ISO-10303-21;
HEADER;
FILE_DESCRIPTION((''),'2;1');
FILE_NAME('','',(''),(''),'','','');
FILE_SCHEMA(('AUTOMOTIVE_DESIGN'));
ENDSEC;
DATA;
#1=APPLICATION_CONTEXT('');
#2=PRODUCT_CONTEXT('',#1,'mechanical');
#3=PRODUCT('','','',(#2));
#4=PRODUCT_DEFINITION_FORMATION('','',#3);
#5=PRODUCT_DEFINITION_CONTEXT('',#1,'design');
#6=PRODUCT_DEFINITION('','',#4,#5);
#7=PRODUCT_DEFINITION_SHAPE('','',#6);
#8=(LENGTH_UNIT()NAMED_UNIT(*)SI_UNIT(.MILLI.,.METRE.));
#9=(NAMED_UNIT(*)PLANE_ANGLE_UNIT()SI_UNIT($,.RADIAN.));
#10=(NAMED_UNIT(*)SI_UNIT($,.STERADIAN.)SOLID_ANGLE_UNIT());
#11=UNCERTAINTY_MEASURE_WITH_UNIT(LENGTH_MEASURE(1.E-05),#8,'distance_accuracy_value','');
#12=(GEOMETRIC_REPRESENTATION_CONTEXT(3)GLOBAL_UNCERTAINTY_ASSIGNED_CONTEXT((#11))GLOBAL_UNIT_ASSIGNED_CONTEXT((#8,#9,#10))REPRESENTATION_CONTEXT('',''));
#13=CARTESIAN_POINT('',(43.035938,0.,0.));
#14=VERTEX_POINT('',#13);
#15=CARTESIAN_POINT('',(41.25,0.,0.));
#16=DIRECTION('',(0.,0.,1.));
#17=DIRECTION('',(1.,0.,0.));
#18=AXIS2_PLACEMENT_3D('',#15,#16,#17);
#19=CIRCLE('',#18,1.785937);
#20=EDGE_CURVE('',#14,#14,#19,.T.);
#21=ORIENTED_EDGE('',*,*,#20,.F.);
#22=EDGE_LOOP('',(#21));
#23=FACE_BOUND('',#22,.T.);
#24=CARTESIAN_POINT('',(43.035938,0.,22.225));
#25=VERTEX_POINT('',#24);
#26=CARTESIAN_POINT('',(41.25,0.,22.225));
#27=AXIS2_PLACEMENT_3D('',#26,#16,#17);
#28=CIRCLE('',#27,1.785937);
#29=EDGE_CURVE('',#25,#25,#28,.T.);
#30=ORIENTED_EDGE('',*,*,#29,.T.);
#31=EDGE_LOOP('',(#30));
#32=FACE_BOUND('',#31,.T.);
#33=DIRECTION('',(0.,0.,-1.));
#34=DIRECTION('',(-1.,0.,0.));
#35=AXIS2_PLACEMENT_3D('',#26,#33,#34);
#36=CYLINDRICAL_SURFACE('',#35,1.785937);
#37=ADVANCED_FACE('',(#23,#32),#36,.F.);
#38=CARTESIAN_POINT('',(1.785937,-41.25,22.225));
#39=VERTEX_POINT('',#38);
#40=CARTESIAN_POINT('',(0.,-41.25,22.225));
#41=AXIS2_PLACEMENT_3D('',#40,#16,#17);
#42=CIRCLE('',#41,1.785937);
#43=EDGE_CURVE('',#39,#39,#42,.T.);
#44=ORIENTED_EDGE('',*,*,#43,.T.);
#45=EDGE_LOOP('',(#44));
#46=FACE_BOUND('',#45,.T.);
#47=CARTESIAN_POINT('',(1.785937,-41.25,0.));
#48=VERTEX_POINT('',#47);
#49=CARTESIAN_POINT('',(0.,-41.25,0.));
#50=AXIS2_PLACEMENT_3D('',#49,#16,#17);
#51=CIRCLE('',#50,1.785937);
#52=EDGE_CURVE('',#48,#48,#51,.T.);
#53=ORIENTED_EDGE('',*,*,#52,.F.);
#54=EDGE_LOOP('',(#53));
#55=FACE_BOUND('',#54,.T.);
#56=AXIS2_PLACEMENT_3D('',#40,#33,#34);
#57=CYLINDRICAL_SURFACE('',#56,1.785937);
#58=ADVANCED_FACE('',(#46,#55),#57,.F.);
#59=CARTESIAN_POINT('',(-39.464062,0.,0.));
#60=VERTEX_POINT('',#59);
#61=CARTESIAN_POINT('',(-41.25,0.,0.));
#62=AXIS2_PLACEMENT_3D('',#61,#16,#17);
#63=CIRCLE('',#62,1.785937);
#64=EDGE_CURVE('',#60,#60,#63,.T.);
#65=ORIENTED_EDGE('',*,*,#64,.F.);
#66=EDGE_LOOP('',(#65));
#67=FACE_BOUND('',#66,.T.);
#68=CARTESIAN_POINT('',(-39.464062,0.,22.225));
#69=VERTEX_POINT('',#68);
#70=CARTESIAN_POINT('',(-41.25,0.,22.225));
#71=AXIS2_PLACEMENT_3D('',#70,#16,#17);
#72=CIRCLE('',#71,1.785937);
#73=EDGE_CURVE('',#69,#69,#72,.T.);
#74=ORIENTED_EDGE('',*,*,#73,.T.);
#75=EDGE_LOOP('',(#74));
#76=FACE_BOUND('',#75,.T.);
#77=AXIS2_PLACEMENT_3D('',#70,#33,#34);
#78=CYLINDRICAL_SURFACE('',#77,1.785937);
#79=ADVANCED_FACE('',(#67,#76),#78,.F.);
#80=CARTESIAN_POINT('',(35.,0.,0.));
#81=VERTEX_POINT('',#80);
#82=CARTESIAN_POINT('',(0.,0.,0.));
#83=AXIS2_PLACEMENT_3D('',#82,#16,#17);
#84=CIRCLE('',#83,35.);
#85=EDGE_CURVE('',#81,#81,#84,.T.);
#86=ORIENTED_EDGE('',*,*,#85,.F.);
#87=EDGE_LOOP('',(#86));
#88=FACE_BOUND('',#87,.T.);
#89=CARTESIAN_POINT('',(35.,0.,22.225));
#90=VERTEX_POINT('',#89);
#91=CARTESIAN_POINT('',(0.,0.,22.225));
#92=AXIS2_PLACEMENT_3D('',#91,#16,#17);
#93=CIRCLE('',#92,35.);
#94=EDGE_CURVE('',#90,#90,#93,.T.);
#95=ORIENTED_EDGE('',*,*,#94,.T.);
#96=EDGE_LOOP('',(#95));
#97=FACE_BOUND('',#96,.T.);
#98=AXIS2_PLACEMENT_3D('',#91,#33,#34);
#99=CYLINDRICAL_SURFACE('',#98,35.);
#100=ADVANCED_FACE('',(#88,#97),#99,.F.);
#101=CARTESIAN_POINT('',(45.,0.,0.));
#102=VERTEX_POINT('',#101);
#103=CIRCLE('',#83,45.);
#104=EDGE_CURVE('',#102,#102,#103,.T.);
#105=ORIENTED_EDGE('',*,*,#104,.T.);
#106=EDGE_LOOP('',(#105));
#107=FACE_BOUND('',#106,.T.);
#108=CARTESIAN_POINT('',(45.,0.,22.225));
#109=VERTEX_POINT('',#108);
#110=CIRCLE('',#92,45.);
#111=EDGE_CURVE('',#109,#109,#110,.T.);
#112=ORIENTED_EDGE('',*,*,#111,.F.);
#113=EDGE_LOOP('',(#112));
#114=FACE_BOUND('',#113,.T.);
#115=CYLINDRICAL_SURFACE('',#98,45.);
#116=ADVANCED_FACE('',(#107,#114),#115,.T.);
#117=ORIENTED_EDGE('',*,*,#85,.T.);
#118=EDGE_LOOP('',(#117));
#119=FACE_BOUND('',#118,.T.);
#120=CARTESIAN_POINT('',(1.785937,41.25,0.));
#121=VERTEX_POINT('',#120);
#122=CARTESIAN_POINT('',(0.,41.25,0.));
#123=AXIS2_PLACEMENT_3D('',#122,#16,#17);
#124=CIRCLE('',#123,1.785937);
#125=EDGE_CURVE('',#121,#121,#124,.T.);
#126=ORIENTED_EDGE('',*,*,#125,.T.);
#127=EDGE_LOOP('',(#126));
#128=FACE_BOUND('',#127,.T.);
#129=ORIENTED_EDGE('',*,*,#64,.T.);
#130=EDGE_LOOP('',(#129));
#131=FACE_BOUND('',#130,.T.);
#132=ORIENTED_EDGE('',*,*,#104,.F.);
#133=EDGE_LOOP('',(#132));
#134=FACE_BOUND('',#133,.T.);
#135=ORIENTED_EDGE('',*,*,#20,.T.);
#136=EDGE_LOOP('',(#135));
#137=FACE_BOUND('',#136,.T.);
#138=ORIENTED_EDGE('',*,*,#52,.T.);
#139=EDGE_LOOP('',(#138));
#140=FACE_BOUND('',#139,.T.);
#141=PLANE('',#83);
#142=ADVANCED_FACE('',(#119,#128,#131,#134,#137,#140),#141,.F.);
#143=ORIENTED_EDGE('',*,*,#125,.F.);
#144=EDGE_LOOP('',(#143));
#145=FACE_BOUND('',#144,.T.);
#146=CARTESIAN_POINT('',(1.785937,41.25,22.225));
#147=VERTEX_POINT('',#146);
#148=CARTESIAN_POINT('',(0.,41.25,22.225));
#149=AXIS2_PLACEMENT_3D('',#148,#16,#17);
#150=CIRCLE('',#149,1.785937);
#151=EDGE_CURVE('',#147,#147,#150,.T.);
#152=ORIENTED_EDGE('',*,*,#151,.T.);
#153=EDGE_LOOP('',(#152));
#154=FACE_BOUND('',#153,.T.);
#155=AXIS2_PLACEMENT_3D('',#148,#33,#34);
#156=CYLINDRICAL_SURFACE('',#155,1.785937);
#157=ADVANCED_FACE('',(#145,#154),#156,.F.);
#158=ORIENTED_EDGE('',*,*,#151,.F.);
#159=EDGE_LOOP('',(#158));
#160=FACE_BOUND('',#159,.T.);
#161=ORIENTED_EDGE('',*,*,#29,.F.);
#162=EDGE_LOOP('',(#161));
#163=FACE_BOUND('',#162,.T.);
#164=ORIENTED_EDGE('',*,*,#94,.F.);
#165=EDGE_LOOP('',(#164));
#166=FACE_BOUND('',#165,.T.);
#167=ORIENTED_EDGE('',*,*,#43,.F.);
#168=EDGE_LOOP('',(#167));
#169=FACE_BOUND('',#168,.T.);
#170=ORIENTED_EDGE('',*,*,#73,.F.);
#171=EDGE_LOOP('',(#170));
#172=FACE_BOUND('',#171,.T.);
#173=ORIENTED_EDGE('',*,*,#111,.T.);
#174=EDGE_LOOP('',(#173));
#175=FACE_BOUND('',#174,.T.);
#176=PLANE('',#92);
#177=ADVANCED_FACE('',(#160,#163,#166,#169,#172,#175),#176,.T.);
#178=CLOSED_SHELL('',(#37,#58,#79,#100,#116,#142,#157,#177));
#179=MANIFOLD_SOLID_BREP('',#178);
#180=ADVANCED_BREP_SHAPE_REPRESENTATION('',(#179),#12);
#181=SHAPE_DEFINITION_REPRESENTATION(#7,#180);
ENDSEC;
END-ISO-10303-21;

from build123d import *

# Parameters (mm, degrees)
SKETCH1_R           = 45
SKETCH1_R_2         = 35
SKETCH1_R_3         = 1.7859375
BOSS_EXTRUDE1_DEPTH = 22.225


with BuildPart() as part:
    # Sketch1 → Boss-Extrude1 (new body)
    with BuildSketch(Plane.XY):
        Circle(SKETCH1_R)
        Circle(SKETCH1_R_2, mode=Mode.SUBTRACT)
        with Locations((0, 41.25)):
            Circle(SKETCH1_R_3, mode=Mode.SUBTRACT)
        with Locations((41.25, 0)):
            Circle(SKETCH1_R_3, mode=Mode.SUBTRACT)
        with Locations((0, -41.25)):
            Circle(SKETCH1_R_3, mode=Mode.SUBTRACT)
        with Locations((-41.25, 0)):
            Circle(SKETCH1_R_3, mode=Mode.SUBTRACT)
    extrude(amount=BOSS_EXTRUDE1_DEPTH)


solid = part.part
